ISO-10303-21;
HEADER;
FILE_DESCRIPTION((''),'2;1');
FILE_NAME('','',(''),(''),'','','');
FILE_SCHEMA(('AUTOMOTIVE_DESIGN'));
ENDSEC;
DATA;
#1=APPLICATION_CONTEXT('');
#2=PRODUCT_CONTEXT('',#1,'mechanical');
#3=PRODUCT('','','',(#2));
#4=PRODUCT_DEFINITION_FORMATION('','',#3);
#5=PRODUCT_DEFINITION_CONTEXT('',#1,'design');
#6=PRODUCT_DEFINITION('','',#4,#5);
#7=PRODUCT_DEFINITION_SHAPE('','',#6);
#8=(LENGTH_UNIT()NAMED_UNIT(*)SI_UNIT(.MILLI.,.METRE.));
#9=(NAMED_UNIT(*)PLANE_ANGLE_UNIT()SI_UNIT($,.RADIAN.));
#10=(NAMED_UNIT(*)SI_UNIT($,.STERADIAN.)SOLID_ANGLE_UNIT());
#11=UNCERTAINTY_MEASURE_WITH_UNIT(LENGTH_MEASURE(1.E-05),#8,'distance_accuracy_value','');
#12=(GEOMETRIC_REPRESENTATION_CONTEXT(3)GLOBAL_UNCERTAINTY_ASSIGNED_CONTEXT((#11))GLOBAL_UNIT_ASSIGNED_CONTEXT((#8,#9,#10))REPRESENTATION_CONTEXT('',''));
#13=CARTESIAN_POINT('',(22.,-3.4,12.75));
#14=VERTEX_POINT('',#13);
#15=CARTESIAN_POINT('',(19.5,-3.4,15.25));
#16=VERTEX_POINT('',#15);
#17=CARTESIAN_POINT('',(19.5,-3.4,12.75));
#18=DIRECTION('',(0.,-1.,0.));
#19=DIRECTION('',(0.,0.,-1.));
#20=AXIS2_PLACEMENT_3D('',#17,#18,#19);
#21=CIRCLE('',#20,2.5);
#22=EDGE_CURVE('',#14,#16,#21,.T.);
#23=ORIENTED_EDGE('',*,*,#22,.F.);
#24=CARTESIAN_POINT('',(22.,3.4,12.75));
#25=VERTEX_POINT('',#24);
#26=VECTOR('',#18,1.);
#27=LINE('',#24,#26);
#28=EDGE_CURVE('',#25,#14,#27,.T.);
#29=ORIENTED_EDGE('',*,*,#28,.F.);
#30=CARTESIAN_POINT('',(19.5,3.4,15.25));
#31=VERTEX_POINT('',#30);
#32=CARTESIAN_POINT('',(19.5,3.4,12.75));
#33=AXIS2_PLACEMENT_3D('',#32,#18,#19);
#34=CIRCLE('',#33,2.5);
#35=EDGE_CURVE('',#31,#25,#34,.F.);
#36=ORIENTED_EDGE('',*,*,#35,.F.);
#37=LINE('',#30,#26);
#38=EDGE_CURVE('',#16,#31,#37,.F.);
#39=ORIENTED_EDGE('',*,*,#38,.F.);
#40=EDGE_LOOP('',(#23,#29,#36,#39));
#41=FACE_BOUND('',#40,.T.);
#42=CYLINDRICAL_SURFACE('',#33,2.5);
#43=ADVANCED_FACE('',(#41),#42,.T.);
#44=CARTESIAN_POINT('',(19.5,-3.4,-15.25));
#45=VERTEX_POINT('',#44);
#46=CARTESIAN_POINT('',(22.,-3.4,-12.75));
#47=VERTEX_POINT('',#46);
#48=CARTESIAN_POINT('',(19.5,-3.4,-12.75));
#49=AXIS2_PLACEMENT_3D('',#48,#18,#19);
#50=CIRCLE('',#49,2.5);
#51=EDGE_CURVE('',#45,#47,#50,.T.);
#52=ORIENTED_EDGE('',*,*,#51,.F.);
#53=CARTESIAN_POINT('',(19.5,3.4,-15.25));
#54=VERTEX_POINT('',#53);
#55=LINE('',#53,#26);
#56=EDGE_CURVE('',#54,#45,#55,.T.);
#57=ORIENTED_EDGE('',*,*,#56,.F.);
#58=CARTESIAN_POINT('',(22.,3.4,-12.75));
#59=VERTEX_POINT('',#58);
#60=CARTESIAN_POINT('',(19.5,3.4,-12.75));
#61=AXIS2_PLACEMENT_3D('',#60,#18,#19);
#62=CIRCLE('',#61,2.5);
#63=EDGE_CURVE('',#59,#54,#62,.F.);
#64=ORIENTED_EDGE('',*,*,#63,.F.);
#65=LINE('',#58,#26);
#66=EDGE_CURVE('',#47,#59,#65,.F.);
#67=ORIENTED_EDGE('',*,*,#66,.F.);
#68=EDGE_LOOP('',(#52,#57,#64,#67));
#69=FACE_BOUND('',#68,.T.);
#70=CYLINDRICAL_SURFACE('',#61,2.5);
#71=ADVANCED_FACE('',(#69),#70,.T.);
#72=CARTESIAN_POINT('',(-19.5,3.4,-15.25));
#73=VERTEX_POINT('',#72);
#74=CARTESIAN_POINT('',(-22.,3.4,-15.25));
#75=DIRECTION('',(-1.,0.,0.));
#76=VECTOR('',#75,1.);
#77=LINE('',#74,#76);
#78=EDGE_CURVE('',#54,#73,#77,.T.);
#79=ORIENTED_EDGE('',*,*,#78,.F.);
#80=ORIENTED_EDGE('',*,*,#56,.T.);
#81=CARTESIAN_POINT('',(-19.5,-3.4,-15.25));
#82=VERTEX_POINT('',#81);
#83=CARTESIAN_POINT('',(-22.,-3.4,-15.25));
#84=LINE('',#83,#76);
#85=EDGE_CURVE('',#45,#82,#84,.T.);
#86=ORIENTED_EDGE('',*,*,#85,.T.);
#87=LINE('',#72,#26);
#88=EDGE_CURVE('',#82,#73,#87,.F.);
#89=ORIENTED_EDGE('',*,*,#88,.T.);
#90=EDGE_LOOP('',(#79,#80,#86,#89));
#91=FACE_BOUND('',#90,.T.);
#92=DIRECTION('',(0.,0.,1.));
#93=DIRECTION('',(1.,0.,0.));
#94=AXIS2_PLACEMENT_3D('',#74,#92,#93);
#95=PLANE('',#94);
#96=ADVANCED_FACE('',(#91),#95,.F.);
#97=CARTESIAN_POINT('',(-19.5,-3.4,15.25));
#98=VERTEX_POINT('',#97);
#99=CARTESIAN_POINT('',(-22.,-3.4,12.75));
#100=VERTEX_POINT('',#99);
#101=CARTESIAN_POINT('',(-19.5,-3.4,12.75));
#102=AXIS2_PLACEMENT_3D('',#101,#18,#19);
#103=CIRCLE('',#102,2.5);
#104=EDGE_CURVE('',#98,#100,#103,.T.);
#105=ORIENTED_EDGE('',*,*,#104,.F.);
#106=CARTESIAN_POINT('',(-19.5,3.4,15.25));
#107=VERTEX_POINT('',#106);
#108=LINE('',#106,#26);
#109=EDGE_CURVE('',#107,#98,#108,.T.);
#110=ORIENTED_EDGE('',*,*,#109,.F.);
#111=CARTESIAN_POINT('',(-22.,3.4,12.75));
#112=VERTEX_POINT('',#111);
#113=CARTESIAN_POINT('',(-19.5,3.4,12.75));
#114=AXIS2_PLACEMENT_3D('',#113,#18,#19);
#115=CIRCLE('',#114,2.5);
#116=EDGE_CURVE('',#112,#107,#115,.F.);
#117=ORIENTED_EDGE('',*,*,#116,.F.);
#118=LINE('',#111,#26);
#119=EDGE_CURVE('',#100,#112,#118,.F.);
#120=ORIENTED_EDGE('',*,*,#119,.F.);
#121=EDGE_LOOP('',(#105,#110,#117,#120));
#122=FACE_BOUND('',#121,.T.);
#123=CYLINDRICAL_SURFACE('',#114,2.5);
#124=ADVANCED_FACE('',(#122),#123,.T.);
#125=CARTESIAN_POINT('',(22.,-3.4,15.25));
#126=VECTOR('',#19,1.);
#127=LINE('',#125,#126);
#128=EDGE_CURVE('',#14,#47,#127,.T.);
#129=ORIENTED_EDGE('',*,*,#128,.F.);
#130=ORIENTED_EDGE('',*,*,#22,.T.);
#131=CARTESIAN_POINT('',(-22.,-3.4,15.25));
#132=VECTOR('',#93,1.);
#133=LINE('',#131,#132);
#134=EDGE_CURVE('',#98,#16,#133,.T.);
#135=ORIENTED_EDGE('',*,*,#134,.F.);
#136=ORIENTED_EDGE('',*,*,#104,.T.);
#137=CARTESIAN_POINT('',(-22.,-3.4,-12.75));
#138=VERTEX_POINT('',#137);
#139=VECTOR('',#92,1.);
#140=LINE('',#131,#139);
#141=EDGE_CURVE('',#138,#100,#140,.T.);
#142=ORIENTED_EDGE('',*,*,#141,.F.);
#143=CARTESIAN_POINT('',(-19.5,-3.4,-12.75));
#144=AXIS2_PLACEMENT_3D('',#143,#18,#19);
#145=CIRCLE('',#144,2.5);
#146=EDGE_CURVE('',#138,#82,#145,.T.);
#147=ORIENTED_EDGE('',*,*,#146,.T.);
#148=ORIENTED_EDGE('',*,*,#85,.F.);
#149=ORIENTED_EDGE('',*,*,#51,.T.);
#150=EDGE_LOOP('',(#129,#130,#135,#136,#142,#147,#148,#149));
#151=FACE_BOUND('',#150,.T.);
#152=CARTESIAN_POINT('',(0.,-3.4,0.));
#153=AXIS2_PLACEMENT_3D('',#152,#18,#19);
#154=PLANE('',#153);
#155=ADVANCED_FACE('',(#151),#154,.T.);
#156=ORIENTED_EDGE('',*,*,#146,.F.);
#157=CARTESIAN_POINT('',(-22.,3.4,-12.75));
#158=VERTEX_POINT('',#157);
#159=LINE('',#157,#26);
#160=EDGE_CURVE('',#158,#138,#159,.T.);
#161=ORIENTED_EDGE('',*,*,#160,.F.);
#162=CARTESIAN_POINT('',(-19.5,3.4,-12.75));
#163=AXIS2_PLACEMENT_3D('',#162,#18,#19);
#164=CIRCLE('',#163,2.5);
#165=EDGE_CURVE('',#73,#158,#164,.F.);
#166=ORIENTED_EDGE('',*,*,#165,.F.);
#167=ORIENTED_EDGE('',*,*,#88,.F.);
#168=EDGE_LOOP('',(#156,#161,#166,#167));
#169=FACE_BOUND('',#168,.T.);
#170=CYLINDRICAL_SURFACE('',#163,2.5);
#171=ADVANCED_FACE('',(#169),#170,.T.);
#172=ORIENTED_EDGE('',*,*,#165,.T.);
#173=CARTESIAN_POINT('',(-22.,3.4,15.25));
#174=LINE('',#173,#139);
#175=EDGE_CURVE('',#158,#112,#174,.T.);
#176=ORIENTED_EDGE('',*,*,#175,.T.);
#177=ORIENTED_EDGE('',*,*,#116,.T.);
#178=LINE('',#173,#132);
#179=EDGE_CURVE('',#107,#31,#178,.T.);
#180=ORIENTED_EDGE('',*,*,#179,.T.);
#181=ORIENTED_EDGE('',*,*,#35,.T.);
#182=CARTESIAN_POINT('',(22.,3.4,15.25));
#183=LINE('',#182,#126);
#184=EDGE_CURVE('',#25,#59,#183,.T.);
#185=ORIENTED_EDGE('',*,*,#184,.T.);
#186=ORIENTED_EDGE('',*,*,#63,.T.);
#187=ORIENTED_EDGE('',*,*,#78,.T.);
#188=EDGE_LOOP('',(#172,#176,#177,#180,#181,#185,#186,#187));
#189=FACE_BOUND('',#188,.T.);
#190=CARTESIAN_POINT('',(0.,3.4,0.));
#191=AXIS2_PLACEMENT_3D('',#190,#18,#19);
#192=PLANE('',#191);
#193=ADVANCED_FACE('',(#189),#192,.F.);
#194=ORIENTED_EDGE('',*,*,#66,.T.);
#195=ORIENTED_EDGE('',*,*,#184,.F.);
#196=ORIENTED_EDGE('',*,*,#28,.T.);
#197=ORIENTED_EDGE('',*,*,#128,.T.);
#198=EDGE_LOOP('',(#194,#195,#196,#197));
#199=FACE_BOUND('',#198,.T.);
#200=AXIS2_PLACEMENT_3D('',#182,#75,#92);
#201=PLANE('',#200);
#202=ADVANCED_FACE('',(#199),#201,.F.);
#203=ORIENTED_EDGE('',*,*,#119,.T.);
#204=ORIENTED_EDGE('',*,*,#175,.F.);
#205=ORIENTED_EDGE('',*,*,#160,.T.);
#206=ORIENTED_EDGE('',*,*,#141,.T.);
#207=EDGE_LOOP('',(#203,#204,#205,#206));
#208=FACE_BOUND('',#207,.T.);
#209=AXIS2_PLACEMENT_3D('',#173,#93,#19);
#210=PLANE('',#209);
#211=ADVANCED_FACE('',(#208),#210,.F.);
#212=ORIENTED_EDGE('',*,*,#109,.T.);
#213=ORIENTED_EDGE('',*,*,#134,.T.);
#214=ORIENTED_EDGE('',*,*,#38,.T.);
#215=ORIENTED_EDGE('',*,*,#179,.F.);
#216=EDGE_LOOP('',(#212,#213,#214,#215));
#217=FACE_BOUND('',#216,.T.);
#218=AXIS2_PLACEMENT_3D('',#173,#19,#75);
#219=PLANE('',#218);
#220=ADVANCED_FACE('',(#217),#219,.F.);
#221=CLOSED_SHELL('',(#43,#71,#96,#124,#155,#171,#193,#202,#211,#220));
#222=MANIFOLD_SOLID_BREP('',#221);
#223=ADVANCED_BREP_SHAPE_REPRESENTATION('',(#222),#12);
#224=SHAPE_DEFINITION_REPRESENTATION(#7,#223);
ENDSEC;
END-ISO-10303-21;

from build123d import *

# Parameters (mm, degrees)
SKETCH1_W           = 44
SKETCH1_H           = 30.5
BOSS_EXTRUDE1_DEPTH = 3.4
FILLET1_R           = 2.5


with BuildPart() as part:
    # Sketch1 → Boss-Extrude1 (new body, symmetric)
    with BuildSketch(Plane(origin=(0, 0, 0), x_dir=(1, 0, 0), z_dir=(0, 1, 0))):
        Rectangle(SKETCH1_W, SKETCH1_H)
    extrude(amount=BOSS_EXTRUDE1_DEPTH, both=True)

    # Fillet1
    fillet1_edges = [part.edges().sort_by_distance(p)[0] for p in [
        (22, 0, 15.25),
        (-22, 0, 15.25),
        (-22, 0, -15.25),
        (22, 0, -15.25),
    ]]
    fillet(fillet1_edges, radius=FILLET1_R)


solid = part.part
